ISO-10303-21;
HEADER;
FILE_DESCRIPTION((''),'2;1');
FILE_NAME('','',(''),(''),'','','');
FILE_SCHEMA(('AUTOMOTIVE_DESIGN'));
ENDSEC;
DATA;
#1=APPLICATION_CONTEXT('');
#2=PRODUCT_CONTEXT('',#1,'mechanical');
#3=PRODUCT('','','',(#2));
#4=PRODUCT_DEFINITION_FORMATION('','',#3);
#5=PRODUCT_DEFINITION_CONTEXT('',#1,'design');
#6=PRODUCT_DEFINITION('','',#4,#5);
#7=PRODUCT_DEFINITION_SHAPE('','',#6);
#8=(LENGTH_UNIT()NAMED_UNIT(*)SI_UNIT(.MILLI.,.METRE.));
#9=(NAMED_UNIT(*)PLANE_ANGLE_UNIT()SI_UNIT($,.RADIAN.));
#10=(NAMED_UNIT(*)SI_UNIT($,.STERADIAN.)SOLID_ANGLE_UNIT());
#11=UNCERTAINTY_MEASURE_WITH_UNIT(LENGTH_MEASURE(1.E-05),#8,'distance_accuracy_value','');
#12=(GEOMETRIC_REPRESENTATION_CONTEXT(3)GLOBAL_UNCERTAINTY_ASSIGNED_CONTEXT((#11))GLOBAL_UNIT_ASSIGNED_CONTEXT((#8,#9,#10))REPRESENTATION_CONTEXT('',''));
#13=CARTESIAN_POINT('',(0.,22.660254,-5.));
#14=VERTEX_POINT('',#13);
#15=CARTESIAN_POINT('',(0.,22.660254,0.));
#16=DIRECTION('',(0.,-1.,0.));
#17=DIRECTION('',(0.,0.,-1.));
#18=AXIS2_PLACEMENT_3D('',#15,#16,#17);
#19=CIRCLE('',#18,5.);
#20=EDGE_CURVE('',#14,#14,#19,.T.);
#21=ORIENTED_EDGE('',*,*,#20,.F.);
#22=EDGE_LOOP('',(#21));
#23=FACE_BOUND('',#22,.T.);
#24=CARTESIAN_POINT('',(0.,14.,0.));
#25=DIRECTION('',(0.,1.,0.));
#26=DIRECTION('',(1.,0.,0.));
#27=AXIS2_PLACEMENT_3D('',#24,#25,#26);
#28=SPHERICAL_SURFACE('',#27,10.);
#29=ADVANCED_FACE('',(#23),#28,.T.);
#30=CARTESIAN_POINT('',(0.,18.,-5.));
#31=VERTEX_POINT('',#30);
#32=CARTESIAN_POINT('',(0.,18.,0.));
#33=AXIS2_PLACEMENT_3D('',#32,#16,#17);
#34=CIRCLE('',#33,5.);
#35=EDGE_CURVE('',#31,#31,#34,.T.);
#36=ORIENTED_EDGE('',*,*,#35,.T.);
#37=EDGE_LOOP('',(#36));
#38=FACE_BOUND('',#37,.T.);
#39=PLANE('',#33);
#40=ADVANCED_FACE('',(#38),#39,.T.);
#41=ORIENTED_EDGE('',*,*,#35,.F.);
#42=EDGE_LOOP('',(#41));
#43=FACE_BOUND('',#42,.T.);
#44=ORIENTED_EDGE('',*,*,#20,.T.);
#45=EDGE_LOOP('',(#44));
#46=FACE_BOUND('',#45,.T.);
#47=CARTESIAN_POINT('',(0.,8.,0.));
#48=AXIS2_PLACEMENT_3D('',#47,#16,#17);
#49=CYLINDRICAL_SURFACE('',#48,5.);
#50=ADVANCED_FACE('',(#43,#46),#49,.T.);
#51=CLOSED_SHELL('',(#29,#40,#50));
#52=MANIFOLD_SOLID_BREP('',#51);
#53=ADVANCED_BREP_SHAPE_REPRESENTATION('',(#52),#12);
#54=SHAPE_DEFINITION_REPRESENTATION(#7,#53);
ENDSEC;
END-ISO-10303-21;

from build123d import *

# Parameters (mm, degrees)
SKETCH2_R           = 5
BOSS_EXTRUDE1_DEPTH = 8
SKETCH4_R           = 23.702642413
SKETCH4_R_2         = 5
CUT_EXTRUDE1_DEPTH  = 28
SKETCH5_R           = 5
CUT_EXTRUDE2_DEPTH  = 18


with BuildPart() as part:
    # Sketch2 → Boss-Extrude1 (new body)
    with BuildSketch(Plane(origin=(0, 0, 0), x_dir=(1, 0, 0), z_dir=(0, 1, 0))):
        Circle(SKETCH2_R)
    extrude(amount=BOSS_EXTRUDE1_DEPTH)

    # Sketch3 one side → Revolve1 (revolve)
    with BuildSketch(Plane.XY):
        with BuildLine():
            ThreePointArc((0, 4), (7.071067812, 6.928932188), (10, 14))
            ThreePointArc((10, 14), (7.071067812, 21.071067812), (0, 24))
            Line((0, 24), (0, 4))
        make_face()
    revolve(axis=Axis((0, 24, 0), (0, -1, 0)))

    # Sketch4 → Cut-Extrude1 (cut)
    with BuildSketch(Plane.XZ):
        Circle(SKETCH4_R)
        Circle(SKETCH4_R_2, mode=Mode.SUBTRACT)
    extrude(amount=-CUT_EXTRUDE1_DEPTH, mode=Mode.SUBTRACT)

    # Sketch5 → Cut-Extrude2 (cut)
    with BuildSketch(Plane.XZ):
        Circle(SKETCH5_R)
    extrude(amount=-CUT_EXTRUDE2_DEPTH, mode=Mode.SUBTRACT)


solid = part.part
